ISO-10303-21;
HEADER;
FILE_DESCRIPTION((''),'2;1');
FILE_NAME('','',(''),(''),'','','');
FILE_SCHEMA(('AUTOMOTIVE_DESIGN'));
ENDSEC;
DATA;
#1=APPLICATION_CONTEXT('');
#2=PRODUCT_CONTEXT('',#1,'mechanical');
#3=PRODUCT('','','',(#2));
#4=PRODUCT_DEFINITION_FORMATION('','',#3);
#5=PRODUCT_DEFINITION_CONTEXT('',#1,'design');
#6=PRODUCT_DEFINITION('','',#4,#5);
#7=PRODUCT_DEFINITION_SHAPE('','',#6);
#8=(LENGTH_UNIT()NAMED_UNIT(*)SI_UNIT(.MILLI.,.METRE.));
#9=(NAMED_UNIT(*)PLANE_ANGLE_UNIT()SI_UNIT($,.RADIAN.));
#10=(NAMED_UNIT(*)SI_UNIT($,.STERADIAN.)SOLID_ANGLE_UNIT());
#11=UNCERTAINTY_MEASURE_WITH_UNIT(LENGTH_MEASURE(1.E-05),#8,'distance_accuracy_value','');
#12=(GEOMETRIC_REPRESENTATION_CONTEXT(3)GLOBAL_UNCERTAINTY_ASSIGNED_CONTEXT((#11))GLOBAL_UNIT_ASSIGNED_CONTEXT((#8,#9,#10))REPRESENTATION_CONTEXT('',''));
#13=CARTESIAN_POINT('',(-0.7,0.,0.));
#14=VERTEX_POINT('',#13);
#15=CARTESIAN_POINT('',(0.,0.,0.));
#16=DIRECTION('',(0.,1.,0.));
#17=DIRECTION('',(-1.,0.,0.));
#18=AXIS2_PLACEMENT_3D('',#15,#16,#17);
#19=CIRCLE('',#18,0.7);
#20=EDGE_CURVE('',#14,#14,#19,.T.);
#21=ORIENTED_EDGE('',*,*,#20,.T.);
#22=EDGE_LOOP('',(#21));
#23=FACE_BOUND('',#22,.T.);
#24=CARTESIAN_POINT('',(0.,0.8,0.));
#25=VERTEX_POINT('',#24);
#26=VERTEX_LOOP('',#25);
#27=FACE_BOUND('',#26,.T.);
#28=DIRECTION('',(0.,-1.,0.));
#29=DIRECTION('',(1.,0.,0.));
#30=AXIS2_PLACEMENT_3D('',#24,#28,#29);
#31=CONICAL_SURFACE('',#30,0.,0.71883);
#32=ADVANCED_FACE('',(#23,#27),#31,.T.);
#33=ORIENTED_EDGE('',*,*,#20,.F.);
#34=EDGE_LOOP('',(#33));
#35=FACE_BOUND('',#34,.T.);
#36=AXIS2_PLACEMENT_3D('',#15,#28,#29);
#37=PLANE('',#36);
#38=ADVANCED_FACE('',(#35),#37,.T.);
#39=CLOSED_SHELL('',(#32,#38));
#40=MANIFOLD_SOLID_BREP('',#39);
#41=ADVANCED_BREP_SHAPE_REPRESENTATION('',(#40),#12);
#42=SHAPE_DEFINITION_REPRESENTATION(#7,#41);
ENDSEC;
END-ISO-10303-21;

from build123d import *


with BuildPart() as part:
    # Esboço1 → Revolução1 (revolve)
    with BuildSketch(Plane.XY, mode=Mode.PRIVATE) as revolu_o1_sk:
        Polygon((0, 0), (-0.7, 0), (0, 0.8), align=None)
    revolve(revolu_o1_sk.sketch.rotate(Axis((0, 0.8, 0), (0, -1, 0)), 180), axis=Axis((0, 0.8, 0), (0, -1, 0)))


solid = part.part
